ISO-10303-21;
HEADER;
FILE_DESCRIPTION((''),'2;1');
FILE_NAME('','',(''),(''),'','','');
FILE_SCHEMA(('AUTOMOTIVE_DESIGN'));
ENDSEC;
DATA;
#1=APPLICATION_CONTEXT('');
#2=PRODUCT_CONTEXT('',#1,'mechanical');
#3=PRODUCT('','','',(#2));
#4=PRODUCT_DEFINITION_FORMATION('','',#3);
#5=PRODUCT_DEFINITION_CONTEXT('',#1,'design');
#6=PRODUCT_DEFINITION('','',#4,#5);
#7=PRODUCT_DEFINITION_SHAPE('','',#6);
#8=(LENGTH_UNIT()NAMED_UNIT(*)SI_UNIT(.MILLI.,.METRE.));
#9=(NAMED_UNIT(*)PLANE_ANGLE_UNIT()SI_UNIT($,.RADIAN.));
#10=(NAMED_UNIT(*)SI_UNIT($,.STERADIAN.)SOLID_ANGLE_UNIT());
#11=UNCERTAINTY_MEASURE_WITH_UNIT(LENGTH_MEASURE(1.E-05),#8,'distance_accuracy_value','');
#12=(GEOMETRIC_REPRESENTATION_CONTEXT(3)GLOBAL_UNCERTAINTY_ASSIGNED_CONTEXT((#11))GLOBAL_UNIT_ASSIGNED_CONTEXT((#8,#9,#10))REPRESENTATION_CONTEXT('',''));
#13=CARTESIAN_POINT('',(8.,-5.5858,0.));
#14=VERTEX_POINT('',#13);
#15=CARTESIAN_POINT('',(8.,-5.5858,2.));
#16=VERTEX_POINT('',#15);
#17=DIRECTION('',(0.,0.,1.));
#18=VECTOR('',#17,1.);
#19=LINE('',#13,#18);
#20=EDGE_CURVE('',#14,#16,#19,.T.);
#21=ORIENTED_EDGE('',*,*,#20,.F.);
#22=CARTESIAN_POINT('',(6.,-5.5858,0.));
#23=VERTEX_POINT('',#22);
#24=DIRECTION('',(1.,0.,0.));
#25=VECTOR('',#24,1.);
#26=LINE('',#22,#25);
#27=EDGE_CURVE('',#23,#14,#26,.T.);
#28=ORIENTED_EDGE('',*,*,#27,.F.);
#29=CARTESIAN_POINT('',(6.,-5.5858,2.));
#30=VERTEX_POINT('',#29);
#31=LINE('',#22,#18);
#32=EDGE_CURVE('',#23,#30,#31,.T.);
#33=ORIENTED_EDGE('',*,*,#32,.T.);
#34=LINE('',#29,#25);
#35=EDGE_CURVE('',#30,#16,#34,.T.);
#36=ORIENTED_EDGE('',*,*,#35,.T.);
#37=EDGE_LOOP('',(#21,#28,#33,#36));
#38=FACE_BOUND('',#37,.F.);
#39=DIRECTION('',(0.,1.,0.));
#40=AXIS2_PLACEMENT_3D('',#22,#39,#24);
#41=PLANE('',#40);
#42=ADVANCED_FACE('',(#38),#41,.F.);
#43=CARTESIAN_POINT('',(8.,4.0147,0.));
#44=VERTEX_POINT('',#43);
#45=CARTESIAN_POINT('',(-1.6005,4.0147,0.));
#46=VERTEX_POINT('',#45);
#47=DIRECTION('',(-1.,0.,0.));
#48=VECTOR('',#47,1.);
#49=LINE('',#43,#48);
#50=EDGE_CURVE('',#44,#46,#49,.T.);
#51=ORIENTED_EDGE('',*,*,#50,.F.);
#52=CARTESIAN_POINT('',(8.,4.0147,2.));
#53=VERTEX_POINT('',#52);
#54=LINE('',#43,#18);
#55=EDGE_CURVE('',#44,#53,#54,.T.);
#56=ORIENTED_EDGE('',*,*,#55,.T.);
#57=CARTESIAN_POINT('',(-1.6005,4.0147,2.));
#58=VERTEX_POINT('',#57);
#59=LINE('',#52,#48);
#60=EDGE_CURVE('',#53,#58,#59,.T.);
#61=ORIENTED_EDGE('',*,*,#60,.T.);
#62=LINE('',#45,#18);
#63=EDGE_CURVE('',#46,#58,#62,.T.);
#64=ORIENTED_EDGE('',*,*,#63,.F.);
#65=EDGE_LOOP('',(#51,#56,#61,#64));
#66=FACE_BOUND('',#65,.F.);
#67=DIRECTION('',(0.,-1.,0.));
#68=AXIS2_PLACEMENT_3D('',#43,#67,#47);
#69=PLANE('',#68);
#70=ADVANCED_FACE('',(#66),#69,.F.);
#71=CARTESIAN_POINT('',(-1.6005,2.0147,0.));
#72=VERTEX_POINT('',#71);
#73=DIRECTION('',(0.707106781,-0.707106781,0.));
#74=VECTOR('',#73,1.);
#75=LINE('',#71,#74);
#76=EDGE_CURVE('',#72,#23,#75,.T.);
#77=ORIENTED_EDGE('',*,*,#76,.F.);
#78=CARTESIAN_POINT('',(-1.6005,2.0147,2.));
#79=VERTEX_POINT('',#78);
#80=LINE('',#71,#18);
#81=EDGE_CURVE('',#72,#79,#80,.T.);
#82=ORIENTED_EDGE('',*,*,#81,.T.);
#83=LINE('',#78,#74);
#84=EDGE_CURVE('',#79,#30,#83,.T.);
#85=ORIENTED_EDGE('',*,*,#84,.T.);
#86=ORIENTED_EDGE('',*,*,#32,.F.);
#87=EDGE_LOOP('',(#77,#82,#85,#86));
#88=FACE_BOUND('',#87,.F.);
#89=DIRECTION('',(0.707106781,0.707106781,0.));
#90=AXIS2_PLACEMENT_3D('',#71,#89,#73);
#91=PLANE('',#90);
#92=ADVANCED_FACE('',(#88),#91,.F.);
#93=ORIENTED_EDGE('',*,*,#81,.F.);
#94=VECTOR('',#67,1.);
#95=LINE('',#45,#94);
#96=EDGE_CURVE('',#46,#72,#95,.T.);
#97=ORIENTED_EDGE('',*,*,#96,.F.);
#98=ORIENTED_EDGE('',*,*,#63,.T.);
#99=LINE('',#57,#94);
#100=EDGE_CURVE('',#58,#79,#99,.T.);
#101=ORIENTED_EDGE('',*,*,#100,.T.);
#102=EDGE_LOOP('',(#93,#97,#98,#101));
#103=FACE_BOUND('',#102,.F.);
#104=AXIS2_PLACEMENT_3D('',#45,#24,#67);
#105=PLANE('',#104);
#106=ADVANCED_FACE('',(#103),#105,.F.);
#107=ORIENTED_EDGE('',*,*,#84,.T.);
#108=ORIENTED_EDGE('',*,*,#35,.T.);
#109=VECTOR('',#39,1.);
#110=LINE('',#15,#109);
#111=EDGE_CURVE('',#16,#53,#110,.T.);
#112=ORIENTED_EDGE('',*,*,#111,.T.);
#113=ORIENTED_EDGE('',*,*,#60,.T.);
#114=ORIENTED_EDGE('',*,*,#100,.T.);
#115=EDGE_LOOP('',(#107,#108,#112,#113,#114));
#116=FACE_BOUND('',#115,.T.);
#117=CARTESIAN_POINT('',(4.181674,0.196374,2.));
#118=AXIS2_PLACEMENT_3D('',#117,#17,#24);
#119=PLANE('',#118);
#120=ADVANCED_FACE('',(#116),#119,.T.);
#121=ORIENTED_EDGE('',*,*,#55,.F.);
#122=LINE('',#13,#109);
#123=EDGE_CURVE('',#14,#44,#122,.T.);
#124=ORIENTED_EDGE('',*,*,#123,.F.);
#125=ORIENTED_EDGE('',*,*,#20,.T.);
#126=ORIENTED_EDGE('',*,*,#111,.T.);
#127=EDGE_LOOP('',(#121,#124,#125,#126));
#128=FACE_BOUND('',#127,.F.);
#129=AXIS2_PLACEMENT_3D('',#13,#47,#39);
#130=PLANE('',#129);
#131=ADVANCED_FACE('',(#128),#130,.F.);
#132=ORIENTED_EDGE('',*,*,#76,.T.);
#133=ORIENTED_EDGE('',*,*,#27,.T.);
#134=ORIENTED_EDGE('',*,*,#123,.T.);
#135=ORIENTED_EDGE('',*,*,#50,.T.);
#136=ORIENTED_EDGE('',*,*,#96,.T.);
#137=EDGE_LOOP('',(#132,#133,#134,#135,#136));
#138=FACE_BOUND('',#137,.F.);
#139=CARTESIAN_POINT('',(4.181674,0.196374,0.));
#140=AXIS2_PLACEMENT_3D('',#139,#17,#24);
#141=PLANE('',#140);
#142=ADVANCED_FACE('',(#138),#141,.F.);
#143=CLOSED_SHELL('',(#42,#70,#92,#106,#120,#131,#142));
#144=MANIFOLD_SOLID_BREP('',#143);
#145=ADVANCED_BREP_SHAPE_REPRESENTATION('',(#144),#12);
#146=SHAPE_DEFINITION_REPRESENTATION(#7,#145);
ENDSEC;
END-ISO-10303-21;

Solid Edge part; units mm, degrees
sketch "Sketch1" plane through (0, 0, 0) normal (0, 0, 1) x (1, 0, 0)
  line L0 (-1.6005, 2.0147) -> (6, -5.5858)
  line L1 (6, -5.5858) -> (8, -5.5858)
  line L2 (8, -5.5858) -> (8, 4.0147)
  line L3 (8, 4.0147) -> (-1.6005, 4.0147)
  line L4 (-1.6005, 4.0147) -> (-1.6005, 2.0147)
  dimension "D1" = 2
extrude "Protrusion1" add sketch "Sketch1" along normal blind 2
